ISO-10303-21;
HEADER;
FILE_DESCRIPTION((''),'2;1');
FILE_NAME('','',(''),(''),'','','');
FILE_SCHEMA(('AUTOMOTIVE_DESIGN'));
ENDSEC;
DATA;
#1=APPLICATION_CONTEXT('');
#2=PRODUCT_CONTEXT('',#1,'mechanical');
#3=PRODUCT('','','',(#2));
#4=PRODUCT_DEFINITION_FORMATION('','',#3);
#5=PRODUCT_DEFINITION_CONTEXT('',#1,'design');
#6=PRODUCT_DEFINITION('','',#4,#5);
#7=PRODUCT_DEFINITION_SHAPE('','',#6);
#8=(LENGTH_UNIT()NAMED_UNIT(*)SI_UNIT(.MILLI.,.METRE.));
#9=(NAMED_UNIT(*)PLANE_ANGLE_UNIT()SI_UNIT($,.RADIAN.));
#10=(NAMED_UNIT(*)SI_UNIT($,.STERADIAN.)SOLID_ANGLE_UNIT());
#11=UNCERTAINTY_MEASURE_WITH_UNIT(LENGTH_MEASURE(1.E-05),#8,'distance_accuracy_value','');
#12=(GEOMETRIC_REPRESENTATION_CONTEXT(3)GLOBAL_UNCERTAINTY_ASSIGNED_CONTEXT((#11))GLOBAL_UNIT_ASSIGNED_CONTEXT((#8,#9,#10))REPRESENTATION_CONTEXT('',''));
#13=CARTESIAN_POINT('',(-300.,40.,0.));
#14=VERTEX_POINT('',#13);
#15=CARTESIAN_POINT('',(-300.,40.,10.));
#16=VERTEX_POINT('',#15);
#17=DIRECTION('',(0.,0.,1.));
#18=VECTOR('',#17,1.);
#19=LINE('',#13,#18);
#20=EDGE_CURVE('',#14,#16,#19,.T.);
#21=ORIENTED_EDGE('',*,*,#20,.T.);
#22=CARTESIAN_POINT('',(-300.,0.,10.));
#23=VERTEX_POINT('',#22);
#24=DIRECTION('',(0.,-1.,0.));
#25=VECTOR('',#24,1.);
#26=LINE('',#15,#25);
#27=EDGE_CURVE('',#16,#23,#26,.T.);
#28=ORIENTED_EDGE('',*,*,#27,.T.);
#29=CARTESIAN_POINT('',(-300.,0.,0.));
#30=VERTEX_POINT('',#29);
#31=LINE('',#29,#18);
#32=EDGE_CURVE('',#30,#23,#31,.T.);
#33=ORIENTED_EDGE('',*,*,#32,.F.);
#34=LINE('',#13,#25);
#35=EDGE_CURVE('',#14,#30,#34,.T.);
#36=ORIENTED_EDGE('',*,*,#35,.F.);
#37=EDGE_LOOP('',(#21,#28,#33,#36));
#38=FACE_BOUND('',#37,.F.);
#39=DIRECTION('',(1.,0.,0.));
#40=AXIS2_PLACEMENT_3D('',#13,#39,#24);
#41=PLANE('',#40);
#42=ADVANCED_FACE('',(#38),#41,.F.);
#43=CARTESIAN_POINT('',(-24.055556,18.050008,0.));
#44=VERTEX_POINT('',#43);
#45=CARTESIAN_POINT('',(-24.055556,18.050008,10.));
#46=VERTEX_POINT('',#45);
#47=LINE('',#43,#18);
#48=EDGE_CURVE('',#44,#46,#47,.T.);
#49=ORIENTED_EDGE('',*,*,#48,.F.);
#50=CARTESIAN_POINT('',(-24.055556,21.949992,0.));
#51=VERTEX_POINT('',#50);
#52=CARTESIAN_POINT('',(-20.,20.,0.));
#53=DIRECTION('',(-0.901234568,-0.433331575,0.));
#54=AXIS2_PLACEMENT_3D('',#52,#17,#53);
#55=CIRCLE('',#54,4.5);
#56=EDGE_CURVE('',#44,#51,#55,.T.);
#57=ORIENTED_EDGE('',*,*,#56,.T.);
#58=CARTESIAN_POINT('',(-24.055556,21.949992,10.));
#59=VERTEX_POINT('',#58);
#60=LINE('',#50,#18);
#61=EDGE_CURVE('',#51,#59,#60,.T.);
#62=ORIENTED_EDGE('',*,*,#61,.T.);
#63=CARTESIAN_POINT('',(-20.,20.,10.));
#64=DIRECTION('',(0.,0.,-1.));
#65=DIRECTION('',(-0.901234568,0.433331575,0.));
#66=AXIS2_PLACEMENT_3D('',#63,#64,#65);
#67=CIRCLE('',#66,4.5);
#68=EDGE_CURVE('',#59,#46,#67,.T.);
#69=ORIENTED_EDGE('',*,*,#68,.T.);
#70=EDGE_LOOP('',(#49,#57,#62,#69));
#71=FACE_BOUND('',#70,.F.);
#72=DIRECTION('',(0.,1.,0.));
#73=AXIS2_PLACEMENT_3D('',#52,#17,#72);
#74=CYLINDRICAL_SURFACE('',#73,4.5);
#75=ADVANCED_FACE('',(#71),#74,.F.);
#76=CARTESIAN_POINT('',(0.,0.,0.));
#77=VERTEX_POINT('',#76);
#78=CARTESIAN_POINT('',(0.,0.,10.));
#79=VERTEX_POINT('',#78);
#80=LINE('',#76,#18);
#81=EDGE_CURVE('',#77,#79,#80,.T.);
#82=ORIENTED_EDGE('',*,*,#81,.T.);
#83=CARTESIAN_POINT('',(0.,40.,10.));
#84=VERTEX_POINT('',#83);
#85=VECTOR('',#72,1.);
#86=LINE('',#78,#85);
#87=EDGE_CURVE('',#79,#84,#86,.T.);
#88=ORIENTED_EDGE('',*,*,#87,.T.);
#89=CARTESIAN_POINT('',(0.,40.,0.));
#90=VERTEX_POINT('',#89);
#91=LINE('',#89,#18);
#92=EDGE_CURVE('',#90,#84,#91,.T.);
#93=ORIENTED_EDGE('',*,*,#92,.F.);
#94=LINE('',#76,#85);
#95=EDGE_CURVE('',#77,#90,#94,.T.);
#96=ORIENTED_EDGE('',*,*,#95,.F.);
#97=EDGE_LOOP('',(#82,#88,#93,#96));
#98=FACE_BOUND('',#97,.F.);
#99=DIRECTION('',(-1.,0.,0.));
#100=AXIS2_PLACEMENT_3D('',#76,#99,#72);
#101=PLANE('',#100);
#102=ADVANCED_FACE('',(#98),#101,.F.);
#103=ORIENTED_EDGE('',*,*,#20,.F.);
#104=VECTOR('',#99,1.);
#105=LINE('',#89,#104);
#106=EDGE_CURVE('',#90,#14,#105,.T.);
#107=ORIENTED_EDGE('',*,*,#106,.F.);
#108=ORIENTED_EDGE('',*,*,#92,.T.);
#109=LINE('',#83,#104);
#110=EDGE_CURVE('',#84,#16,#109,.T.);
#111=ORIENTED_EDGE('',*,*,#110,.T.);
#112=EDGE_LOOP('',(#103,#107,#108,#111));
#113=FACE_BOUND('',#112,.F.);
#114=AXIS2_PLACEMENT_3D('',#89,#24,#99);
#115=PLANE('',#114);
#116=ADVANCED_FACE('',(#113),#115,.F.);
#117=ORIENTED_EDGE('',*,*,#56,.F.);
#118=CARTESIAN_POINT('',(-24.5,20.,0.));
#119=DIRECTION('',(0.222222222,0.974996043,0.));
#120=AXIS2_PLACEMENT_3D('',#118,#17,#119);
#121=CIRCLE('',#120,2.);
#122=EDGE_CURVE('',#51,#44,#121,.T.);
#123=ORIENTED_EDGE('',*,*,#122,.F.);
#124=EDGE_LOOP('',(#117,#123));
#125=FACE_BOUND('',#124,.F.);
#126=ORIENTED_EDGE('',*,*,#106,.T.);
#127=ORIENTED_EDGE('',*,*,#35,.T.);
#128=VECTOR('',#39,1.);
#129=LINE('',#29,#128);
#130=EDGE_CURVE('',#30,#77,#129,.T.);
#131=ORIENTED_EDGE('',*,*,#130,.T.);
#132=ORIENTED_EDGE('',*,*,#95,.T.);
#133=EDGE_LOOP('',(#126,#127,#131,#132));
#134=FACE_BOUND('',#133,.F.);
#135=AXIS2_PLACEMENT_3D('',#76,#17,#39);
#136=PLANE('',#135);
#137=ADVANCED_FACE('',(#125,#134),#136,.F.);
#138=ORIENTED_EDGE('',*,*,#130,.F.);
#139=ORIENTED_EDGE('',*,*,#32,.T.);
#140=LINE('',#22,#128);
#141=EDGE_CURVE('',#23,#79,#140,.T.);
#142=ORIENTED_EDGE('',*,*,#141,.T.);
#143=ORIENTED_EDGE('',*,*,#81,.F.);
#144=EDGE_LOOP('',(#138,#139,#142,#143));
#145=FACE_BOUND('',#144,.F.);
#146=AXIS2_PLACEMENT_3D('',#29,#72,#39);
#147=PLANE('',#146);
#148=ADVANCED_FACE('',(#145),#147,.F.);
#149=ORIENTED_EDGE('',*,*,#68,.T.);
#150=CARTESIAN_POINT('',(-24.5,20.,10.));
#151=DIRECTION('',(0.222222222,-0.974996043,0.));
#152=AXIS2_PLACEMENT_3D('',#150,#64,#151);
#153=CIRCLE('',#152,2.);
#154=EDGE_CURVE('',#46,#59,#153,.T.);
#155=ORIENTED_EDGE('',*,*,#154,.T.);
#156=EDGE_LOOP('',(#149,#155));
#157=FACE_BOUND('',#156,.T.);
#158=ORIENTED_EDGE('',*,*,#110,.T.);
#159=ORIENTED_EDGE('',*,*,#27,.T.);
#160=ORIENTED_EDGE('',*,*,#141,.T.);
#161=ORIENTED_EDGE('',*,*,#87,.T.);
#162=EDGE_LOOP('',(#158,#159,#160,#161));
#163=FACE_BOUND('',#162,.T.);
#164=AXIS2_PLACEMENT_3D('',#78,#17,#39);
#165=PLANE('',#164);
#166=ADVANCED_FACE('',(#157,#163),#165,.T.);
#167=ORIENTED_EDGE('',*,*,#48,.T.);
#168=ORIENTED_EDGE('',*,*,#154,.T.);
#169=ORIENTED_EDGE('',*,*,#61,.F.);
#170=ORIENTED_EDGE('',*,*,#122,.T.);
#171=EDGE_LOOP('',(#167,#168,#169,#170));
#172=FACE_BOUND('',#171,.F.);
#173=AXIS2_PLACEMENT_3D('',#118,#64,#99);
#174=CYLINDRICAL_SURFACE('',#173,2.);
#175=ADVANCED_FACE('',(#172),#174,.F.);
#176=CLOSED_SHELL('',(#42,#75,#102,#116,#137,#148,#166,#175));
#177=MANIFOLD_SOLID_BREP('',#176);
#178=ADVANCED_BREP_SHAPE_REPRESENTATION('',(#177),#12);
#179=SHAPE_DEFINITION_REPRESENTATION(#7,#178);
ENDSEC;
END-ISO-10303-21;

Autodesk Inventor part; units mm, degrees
ref_plane "YZ Plane" through (0, 0, 0) normal (1, 0, 0) x (0, 1, 0)
ref_plane "XZ Plane" through (0, 0, 0) normal (0, 1, 0) x (-1, 0, 0)
ref_plane "XY Plane" through (0, 0, 0) normal (0, 0, 1) x (1, 0, 0)
sketch "Skizze1" plane through (0, 0, 0) normal (0, 0, 1) x (1, 0, 0)
  line L0 (0, 40) -> (-300, 40)
  line L1 (-300, 40) -> (-300, 0)
  line L2 (-300, 0) -> (0, 0)
  line L3 (0, 0) -> (0, 40)
  line L4 (-360, 0) -> (60, 0) projected
  line L5 (0, -8) -> (0, 48) projected
  dimension "d0" = 300
  dimension "d1" = 40
extrude "Extrusion1" add sketch "Skizze1" along normal blind 10
sketch "Skizze2" plane through (0, 0, 0) normal (0, 0, -1) x (-1, 0, 0)
  line L0 (0, 40) -> (300, 40) projected
  line L1 (0, 0) -> (0, 40) projected
  point P0 (20, 20)
  dimension "d4" = 20
  dimension "d5" = 20
hole "Bohrung1" at (-20, 20, 0) direction (0, 0, 1) diameter 9 end through all
sketch "Skizze3" plane through (0, 0, 0) normal (0, 0, -1) x (-1, 0, 0)
  circle A0 centre (20, 20) radius 4.5 projected
  line L0 (0, 40) -> (300, 40) projected
  line L1 (20, 20) -> (24.5, 20)
  circle A1 centre (24.5, 20) radius 2
  point P0 (24.0556, 18.05)
  point P1 (24.0556, 21.95)
  dimension "d13" = 4
extrude "Extrusion2" cut sketch "Skizze3" against normal blind 10 contours A0 A1 picked at (25.084, 19.4875)
properties part number "Hebel_camera" material "Holz (Eiche)"
